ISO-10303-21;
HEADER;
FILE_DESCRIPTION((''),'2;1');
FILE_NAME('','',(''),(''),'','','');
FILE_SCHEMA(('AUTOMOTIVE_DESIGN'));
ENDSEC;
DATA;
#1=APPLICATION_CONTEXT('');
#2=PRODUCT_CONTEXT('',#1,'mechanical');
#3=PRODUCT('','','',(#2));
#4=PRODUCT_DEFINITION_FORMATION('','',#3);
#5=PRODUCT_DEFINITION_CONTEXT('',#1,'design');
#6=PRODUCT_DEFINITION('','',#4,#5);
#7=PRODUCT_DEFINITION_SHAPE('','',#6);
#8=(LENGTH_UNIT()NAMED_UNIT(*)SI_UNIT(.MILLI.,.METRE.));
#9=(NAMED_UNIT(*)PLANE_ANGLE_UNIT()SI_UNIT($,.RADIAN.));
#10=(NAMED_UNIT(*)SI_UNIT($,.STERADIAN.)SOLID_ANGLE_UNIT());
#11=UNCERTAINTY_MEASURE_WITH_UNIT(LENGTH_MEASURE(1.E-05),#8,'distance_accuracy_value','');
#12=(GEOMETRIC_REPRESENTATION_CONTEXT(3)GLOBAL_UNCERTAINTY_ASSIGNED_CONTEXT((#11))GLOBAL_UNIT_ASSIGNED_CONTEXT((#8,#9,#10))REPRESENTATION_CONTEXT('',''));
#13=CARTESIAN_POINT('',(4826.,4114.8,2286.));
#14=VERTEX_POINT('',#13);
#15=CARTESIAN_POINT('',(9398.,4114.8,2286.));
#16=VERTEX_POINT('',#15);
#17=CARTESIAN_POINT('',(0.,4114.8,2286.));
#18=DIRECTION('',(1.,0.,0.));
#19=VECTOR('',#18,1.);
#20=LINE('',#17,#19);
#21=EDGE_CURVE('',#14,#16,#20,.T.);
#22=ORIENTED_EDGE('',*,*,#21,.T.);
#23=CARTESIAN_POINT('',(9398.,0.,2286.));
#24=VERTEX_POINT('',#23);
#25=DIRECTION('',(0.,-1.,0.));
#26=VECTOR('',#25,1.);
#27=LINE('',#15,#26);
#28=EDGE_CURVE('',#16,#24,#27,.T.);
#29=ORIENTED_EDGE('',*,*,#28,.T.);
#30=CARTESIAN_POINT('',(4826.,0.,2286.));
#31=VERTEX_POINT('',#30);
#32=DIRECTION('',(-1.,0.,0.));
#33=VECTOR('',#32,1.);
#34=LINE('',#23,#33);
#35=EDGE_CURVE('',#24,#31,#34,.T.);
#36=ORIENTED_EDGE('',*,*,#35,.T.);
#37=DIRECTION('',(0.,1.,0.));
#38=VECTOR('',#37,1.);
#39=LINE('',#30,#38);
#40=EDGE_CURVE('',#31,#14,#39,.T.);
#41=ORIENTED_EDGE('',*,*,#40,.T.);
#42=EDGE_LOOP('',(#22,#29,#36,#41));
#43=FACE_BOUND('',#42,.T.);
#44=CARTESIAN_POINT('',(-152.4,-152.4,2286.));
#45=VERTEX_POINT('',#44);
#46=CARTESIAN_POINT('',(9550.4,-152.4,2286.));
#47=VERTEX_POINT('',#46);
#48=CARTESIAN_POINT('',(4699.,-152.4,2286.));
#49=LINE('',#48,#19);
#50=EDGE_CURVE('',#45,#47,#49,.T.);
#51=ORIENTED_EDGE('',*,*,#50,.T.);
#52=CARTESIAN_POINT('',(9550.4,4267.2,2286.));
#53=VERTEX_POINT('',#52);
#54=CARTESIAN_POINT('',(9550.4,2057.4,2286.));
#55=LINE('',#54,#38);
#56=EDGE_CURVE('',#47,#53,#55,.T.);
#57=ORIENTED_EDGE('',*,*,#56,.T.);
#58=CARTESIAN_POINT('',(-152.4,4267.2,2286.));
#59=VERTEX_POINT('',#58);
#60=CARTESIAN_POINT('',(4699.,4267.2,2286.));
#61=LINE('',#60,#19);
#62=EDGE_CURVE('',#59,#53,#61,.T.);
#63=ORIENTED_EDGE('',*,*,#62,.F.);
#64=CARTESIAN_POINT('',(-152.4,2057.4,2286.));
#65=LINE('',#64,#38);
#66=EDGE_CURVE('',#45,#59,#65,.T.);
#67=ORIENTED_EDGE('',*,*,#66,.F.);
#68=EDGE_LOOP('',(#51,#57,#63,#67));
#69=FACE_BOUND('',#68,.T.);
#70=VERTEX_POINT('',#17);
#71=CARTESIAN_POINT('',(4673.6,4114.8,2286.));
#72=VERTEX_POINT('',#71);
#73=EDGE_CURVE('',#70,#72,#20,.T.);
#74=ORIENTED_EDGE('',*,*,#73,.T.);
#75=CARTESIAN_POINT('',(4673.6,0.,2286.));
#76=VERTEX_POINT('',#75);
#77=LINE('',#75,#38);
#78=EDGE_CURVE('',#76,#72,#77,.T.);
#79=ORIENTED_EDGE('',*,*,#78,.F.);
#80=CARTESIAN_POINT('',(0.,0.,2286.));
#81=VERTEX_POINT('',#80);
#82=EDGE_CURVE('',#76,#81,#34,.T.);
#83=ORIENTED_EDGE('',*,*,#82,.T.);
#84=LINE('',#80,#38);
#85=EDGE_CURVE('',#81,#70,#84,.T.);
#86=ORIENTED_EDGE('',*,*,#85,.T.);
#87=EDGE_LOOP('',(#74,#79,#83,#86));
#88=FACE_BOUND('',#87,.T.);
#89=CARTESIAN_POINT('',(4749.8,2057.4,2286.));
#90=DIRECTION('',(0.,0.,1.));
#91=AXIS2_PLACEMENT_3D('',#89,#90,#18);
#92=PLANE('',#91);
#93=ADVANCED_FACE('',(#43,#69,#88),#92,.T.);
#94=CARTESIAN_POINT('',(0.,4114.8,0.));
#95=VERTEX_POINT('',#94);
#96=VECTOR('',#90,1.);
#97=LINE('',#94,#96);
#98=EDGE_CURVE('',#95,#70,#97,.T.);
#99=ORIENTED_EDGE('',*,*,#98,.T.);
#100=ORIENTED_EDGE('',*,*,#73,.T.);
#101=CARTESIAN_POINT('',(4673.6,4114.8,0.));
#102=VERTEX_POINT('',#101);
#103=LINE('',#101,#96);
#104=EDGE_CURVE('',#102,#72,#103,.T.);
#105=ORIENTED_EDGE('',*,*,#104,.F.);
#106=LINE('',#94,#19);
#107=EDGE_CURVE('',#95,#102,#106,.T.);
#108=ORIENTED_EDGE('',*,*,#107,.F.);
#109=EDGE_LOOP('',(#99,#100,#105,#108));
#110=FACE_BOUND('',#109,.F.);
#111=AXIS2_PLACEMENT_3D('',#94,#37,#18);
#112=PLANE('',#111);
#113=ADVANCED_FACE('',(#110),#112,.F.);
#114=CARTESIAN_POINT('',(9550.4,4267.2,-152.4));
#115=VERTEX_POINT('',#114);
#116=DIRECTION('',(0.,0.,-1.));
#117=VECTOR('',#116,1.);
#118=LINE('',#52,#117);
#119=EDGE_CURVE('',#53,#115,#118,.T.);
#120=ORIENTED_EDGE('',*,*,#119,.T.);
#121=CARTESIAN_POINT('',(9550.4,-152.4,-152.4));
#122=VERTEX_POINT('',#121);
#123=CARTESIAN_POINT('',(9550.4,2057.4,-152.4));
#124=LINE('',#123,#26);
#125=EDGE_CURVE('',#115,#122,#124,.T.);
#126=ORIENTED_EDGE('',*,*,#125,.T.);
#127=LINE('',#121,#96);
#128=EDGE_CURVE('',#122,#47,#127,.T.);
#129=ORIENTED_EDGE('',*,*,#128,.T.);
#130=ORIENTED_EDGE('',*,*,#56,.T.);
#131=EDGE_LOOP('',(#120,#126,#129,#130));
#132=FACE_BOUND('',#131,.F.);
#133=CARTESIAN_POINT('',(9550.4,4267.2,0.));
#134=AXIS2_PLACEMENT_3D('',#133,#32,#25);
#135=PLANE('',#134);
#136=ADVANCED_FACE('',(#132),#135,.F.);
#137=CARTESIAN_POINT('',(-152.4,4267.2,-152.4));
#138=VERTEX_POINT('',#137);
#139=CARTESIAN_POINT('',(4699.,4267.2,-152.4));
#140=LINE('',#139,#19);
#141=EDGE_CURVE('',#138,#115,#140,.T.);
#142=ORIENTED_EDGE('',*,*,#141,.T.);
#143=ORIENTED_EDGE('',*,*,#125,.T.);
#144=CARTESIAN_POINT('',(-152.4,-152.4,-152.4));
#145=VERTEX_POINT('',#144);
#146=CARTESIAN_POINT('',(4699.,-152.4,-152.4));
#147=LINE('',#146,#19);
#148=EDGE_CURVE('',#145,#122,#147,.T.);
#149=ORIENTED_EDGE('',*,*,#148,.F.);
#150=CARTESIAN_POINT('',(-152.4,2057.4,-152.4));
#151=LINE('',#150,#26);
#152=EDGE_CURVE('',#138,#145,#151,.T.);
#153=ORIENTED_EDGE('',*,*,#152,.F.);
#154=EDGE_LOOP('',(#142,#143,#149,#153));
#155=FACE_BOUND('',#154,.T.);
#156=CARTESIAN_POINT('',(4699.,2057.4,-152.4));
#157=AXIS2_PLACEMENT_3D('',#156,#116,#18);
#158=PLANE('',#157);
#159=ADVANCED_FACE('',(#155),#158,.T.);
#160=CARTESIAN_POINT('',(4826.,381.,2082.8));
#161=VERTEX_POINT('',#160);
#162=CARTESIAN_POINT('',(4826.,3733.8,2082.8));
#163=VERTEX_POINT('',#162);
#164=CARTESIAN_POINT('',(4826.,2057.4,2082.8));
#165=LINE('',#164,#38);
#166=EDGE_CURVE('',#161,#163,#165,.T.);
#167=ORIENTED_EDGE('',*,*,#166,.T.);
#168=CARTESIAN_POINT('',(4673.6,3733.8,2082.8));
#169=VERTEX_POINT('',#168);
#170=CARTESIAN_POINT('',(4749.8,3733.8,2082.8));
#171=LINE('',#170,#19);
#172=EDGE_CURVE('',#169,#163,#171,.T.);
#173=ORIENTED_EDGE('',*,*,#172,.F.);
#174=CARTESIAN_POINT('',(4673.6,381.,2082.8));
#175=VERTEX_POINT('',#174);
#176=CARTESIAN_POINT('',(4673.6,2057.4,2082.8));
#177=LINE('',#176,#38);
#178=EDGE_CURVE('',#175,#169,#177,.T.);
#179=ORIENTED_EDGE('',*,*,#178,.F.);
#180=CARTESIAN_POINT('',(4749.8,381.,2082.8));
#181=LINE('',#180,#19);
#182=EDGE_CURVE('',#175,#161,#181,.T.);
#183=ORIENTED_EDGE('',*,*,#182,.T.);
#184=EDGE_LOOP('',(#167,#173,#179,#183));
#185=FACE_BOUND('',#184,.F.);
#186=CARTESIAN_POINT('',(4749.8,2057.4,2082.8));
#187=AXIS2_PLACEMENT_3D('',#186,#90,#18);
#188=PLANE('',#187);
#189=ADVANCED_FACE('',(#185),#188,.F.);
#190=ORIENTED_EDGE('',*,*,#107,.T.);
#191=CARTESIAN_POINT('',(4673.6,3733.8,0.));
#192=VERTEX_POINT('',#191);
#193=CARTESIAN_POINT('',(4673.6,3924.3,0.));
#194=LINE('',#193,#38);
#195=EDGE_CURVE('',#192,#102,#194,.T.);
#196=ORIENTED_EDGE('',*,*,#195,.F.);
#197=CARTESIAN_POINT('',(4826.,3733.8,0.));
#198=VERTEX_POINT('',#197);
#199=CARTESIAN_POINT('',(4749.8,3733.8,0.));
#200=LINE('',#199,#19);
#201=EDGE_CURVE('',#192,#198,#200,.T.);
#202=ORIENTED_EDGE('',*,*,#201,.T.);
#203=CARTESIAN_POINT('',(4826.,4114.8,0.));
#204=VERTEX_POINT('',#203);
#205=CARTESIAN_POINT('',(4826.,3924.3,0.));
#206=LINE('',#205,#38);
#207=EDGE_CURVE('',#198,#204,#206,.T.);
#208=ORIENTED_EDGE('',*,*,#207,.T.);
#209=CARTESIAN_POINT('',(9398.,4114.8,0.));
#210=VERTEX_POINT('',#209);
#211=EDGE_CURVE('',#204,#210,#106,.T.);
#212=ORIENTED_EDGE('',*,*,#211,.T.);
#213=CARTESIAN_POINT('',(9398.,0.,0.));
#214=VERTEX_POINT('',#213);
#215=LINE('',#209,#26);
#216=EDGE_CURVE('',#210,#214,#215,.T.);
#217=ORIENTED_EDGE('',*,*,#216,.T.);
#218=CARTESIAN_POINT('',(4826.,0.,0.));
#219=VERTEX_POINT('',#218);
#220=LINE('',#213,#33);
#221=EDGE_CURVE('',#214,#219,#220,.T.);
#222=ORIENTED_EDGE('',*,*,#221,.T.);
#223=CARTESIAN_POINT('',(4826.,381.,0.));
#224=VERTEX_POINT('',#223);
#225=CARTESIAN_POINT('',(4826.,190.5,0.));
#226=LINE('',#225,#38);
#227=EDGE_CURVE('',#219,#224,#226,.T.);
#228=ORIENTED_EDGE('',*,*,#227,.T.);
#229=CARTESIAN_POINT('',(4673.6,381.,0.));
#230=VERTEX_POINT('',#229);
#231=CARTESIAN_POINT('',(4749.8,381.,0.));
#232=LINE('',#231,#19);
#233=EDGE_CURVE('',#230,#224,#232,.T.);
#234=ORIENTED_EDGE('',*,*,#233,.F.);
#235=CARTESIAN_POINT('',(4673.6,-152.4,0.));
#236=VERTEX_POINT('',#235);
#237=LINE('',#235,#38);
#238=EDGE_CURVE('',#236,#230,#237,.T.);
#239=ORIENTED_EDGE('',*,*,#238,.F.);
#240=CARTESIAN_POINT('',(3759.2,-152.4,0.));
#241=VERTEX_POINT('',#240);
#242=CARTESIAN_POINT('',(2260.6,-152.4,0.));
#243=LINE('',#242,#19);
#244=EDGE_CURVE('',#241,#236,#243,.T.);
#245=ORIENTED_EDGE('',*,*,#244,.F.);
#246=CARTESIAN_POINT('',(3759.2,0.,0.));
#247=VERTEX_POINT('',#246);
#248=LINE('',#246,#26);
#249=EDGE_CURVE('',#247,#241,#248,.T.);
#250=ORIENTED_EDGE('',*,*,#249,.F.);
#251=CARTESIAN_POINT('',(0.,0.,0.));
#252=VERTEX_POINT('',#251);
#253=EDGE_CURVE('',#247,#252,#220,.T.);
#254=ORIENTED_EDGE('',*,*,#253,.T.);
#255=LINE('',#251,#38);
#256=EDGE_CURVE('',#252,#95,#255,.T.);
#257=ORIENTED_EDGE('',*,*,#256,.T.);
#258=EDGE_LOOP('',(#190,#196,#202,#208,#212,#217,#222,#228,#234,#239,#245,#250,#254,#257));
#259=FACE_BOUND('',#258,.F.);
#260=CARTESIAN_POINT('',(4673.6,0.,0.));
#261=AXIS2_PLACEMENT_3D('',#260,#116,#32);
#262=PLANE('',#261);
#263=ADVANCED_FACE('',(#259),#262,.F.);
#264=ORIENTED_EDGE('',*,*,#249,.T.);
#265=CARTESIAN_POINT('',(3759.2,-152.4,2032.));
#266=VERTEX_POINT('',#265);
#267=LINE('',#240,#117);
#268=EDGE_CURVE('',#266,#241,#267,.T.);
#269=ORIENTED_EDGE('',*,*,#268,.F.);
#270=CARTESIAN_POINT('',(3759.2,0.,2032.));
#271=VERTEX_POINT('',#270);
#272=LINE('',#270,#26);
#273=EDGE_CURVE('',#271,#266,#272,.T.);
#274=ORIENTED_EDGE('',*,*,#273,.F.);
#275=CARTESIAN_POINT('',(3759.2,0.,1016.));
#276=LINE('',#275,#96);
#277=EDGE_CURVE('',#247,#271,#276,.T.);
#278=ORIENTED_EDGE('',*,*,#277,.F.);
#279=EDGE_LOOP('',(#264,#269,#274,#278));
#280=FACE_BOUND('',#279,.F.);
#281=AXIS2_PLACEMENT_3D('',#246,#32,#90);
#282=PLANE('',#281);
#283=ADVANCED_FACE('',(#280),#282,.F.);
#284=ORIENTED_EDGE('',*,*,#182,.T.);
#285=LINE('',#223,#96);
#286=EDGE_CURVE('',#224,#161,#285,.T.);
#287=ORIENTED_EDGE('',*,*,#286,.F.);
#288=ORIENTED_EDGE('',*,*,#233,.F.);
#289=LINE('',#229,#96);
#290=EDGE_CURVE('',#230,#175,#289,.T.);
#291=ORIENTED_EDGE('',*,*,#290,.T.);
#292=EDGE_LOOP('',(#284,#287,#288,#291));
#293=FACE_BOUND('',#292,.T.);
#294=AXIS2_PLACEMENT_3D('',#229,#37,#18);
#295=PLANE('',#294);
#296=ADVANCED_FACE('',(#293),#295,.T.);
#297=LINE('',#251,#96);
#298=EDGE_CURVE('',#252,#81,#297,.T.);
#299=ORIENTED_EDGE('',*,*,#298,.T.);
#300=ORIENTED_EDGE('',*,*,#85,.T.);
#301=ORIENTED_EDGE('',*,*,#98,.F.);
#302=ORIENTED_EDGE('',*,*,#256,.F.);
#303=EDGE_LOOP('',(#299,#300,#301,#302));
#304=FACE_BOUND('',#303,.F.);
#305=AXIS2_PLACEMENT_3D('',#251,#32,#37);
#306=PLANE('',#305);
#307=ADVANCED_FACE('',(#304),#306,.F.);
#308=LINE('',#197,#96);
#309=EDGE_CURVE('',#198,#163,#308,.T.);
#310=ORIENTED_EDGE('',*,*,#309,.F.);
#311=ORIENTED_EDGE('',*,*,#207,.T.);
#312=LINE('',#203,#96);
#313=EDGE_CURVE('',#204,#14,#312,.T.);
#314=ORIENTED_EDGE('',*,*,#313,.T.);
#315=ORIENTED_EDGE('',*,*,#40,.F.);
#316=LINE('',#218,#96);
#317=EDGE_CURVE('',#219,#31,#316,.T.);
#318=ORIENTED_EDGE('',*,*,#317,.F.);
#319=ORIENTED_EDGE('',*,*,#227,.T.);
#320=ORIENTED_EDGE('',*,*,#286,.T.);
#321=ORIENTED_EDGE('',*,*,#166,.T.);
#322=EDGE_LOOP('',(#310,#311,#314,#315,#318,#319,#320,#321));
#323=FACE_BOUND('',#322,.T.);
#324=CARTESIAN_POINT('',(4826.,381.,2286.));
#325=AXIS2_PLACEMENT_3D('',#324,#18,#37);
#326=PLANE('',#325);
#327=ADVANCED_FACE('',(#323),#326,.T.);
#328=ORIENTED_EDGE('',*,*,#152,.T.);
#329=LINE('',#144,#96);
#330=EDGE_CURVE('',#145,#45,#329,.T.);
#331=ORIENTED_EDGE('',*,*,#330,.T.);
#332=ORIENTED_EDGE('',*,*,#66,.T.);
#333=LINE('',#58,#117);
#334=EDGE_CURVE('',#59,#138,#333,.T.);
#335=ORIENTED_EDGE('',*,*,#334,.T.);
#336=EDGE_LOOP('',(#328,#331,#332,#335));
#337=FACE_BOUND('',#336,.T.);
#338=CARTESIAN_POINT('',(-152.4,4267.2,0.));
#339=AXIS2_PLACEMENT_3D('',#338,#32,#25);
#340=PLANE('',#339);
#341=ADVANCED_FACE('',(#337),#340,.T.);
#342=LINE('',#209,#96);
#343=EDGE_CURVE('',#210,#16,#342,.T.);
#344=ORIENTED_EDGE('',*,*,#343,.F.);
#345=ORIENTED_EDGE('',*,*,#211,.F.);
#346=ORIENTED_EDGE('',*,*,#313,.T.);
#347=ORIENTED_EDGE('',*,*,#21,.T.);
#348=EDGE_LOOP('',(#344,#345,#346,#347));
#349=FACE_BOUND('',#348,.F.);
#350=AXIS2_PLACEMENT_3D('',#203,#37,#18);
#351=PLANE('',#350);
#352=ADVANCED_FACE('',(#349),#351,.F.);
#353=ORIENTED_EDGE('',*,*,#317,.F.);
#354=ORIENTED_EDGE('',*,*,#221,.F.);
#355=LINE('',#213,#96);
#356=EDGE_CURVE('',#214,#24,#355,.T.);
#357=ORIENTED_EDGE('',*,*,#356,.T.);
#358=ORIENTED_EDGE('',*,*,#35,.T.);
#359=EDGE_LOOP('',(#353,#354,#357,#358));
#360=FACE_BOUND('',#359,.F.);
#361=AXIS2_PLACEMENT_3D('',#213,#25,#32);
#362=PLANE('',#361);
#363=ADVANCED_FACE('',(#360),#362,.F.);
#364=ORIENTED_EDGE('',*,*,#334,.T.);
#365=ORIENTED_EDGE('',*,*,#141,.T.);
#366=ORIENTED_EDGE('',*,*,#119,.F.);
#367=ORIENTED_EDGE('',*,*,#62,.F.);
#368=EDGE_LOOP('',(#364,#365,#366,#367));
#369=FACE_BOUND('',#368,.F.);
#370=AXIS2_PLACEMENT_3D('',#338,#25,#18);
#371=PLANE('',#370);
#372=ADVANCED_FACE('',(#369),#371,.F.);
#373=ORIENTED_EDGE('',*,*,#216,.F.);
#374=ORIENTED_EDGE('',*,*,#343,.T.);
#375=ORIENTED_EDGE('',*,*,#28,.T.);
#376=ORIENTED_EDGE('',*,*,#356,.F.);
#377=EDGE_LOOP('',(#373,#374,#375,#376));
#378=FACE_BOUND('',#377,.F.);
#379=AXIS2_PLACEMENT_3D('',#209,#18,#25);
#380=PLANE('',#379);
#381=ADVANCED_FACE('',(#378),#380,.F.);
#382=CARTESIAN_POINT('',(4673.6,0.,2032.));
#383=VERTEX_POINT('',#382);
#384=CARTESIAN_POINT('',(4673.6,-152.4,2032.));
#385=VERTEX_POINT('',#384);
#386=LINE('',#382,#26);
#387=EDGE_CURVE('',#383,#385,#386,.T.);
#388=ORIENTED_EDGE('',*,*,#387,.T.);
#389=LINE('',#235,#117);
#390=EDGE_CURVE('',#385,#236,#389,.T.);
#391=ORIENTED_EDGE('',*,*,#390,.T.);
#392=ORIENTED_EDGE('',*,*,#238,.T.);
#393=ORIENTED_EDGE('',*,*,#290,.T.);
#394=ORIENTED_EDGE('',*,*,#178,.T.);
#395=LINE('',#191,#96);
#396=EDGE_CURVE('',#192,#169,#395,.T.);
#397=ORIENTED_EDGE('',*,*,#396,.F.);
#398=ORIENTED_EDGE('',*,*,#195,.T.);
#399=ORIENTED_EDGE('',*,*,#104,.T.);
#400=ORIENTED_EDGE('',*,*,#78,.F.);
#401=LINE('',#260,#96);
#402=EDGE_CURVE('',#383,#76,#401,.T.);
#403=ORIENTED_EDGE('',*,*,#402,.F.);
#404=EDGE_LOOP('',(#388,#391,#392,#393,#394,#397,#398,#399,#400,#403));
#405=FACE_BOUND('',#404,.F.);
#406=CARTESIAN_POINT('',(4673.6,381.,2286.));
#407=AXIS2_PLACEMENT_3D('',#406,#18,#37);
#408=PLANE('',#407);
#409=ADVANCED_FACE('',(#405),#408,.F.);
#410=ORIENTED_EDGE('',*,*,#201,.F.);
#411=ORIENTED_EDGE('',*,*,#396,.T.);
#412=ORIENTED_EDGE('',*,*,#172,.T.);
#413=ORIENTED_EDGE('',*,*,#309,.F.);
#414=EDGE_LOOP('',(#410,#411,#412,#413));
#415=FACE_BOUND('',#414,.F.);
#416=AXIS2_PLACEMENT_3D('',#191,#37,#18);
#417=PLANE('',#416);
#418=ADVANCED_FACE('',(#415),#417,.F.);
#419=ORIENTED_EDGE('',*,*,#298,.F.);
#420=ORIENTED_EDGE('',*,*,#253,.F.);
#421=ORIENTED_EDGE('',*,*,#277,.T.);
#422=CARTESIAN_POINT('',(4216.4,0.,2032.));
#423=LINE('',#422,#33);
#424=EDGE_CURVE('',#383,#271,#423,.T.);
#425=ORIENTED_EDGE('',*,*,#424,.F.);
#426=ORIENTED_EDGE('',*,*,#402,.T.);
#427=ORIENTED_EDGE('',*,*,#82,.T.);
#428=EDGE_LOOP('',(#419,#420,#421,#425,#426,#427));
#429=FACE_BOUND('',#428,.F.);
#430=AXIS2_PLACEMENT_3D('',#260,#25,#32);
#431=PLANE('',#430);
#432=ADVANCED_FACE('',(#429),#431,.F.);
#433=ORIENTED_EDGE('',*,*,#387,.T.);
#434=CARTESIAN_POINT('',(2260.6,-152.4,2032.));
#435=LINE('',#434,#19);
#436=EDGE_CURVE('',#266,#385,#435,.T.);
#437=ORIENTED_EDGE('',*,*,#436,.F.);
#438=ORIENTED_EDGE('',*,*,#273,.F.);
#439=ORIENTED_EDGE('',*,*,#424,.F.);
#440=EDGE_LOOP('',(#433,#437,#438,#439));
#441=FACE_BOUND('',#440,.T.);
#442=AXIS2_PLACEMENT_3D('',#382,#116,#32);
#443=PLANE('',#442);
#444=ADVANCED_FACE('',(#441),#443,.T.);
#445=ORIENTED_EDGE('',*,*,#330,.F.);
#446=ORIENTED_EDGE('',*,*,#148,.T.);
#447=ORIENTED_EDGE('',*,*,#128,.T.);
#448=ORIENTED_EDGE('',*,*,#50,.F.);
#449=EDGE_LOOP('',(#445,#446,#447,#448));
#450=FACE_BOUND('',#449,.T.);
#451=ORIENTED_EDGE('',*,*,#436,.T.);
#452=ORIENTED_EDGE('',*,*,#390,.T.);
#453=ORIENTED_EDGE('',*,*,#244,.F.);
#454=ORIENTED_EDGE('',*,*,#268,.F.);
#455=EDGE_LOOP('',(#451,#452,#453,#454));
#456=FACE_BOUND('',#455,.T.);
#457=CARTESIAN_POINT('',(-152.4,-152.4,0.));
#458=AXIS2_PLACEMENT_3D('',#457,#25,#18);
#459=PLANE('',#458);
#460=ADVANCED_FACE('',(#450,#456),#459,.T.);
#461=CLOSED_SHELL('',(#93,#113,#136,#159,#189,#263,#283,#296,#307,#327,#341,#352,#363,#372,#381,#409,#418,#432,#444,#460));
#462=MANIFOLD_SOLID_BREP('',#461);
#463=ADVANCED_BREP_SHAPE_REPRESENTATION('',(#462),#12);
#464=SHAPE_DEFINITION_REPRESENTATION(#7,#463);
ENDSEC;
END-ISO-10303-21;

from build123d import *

# Parameters (mm, degrees)
F0_W     = 9702.8
F0_H     = 4419.6
F0_W_2   = 152.4
F0_H_2   = 381
F1_DEPTH = 2286
F2_W     = 9702.8
F2_H     = 4419.6
F3_DEPTH = 152.4
F4_W     = 914.4
F4_H     = 2032
F5_DEPTH = 152.401
F6_W     = 152.4
F6_H     = 3352.8
F7_DEPTH = 203.2


with BuildPart() as f1:
    # F0 (on Top) → F1 (new body)
    with BuildSketch(Plane.XY):
        with Locations((4699, 2057.4)):
            Rectangle(F0_W, F0_H)
        Polygon((4673.6, 0), (0, 0), (0, 4114.8), (4673.6, 4114.8), (4826, 4114.8), (9398, 4114.8), (9398, 0), (4826, 0), align=None, mode=Mode.SUBTRACT)
        with Locations((4749.8, 3924.3)):
            Rectangle(F0_W_2, F0_H_2)
        with Locations((4749.8, 190.5)):
            Rectangle(F0_W_2, F0_H_2)
    extrude(amount=F1_DEPTH)

    # F2 (on face) → F3 (join)
    with BuildSketch(Plane(origin=(0, 0, 0), x_dir=(1, 0, 0), z_dir=(0, 0, -1))):
        with Locations((4699, -2057.4)):
            Rectangle(F2_W, F2_H)
    extrude(amount=F3_DEPTH)

    # F4 (on face) → F5 (cut, through all)
    with BuildSketch(Plane(origin=(0, 0, 0), x_dir=(-1, 0, 0), z_dir=(0, 1, 0))):
        with Locations((-4216.4, 1016)):
            Rectangle(F4_W, F4_H)
    extrude(amount=-F5_DEPTH, mode=Mode.SUBTRACT)

    # F6 (on face) → F7 (join)
    with BuildSketch(Plane.XY.offset(2286)):
        with Locations((4749.8, 2057.4)):
            Rectangle(F6_W, F6_H)
    extrude(amount=-F7_DEPTH)


solid = f1.part
